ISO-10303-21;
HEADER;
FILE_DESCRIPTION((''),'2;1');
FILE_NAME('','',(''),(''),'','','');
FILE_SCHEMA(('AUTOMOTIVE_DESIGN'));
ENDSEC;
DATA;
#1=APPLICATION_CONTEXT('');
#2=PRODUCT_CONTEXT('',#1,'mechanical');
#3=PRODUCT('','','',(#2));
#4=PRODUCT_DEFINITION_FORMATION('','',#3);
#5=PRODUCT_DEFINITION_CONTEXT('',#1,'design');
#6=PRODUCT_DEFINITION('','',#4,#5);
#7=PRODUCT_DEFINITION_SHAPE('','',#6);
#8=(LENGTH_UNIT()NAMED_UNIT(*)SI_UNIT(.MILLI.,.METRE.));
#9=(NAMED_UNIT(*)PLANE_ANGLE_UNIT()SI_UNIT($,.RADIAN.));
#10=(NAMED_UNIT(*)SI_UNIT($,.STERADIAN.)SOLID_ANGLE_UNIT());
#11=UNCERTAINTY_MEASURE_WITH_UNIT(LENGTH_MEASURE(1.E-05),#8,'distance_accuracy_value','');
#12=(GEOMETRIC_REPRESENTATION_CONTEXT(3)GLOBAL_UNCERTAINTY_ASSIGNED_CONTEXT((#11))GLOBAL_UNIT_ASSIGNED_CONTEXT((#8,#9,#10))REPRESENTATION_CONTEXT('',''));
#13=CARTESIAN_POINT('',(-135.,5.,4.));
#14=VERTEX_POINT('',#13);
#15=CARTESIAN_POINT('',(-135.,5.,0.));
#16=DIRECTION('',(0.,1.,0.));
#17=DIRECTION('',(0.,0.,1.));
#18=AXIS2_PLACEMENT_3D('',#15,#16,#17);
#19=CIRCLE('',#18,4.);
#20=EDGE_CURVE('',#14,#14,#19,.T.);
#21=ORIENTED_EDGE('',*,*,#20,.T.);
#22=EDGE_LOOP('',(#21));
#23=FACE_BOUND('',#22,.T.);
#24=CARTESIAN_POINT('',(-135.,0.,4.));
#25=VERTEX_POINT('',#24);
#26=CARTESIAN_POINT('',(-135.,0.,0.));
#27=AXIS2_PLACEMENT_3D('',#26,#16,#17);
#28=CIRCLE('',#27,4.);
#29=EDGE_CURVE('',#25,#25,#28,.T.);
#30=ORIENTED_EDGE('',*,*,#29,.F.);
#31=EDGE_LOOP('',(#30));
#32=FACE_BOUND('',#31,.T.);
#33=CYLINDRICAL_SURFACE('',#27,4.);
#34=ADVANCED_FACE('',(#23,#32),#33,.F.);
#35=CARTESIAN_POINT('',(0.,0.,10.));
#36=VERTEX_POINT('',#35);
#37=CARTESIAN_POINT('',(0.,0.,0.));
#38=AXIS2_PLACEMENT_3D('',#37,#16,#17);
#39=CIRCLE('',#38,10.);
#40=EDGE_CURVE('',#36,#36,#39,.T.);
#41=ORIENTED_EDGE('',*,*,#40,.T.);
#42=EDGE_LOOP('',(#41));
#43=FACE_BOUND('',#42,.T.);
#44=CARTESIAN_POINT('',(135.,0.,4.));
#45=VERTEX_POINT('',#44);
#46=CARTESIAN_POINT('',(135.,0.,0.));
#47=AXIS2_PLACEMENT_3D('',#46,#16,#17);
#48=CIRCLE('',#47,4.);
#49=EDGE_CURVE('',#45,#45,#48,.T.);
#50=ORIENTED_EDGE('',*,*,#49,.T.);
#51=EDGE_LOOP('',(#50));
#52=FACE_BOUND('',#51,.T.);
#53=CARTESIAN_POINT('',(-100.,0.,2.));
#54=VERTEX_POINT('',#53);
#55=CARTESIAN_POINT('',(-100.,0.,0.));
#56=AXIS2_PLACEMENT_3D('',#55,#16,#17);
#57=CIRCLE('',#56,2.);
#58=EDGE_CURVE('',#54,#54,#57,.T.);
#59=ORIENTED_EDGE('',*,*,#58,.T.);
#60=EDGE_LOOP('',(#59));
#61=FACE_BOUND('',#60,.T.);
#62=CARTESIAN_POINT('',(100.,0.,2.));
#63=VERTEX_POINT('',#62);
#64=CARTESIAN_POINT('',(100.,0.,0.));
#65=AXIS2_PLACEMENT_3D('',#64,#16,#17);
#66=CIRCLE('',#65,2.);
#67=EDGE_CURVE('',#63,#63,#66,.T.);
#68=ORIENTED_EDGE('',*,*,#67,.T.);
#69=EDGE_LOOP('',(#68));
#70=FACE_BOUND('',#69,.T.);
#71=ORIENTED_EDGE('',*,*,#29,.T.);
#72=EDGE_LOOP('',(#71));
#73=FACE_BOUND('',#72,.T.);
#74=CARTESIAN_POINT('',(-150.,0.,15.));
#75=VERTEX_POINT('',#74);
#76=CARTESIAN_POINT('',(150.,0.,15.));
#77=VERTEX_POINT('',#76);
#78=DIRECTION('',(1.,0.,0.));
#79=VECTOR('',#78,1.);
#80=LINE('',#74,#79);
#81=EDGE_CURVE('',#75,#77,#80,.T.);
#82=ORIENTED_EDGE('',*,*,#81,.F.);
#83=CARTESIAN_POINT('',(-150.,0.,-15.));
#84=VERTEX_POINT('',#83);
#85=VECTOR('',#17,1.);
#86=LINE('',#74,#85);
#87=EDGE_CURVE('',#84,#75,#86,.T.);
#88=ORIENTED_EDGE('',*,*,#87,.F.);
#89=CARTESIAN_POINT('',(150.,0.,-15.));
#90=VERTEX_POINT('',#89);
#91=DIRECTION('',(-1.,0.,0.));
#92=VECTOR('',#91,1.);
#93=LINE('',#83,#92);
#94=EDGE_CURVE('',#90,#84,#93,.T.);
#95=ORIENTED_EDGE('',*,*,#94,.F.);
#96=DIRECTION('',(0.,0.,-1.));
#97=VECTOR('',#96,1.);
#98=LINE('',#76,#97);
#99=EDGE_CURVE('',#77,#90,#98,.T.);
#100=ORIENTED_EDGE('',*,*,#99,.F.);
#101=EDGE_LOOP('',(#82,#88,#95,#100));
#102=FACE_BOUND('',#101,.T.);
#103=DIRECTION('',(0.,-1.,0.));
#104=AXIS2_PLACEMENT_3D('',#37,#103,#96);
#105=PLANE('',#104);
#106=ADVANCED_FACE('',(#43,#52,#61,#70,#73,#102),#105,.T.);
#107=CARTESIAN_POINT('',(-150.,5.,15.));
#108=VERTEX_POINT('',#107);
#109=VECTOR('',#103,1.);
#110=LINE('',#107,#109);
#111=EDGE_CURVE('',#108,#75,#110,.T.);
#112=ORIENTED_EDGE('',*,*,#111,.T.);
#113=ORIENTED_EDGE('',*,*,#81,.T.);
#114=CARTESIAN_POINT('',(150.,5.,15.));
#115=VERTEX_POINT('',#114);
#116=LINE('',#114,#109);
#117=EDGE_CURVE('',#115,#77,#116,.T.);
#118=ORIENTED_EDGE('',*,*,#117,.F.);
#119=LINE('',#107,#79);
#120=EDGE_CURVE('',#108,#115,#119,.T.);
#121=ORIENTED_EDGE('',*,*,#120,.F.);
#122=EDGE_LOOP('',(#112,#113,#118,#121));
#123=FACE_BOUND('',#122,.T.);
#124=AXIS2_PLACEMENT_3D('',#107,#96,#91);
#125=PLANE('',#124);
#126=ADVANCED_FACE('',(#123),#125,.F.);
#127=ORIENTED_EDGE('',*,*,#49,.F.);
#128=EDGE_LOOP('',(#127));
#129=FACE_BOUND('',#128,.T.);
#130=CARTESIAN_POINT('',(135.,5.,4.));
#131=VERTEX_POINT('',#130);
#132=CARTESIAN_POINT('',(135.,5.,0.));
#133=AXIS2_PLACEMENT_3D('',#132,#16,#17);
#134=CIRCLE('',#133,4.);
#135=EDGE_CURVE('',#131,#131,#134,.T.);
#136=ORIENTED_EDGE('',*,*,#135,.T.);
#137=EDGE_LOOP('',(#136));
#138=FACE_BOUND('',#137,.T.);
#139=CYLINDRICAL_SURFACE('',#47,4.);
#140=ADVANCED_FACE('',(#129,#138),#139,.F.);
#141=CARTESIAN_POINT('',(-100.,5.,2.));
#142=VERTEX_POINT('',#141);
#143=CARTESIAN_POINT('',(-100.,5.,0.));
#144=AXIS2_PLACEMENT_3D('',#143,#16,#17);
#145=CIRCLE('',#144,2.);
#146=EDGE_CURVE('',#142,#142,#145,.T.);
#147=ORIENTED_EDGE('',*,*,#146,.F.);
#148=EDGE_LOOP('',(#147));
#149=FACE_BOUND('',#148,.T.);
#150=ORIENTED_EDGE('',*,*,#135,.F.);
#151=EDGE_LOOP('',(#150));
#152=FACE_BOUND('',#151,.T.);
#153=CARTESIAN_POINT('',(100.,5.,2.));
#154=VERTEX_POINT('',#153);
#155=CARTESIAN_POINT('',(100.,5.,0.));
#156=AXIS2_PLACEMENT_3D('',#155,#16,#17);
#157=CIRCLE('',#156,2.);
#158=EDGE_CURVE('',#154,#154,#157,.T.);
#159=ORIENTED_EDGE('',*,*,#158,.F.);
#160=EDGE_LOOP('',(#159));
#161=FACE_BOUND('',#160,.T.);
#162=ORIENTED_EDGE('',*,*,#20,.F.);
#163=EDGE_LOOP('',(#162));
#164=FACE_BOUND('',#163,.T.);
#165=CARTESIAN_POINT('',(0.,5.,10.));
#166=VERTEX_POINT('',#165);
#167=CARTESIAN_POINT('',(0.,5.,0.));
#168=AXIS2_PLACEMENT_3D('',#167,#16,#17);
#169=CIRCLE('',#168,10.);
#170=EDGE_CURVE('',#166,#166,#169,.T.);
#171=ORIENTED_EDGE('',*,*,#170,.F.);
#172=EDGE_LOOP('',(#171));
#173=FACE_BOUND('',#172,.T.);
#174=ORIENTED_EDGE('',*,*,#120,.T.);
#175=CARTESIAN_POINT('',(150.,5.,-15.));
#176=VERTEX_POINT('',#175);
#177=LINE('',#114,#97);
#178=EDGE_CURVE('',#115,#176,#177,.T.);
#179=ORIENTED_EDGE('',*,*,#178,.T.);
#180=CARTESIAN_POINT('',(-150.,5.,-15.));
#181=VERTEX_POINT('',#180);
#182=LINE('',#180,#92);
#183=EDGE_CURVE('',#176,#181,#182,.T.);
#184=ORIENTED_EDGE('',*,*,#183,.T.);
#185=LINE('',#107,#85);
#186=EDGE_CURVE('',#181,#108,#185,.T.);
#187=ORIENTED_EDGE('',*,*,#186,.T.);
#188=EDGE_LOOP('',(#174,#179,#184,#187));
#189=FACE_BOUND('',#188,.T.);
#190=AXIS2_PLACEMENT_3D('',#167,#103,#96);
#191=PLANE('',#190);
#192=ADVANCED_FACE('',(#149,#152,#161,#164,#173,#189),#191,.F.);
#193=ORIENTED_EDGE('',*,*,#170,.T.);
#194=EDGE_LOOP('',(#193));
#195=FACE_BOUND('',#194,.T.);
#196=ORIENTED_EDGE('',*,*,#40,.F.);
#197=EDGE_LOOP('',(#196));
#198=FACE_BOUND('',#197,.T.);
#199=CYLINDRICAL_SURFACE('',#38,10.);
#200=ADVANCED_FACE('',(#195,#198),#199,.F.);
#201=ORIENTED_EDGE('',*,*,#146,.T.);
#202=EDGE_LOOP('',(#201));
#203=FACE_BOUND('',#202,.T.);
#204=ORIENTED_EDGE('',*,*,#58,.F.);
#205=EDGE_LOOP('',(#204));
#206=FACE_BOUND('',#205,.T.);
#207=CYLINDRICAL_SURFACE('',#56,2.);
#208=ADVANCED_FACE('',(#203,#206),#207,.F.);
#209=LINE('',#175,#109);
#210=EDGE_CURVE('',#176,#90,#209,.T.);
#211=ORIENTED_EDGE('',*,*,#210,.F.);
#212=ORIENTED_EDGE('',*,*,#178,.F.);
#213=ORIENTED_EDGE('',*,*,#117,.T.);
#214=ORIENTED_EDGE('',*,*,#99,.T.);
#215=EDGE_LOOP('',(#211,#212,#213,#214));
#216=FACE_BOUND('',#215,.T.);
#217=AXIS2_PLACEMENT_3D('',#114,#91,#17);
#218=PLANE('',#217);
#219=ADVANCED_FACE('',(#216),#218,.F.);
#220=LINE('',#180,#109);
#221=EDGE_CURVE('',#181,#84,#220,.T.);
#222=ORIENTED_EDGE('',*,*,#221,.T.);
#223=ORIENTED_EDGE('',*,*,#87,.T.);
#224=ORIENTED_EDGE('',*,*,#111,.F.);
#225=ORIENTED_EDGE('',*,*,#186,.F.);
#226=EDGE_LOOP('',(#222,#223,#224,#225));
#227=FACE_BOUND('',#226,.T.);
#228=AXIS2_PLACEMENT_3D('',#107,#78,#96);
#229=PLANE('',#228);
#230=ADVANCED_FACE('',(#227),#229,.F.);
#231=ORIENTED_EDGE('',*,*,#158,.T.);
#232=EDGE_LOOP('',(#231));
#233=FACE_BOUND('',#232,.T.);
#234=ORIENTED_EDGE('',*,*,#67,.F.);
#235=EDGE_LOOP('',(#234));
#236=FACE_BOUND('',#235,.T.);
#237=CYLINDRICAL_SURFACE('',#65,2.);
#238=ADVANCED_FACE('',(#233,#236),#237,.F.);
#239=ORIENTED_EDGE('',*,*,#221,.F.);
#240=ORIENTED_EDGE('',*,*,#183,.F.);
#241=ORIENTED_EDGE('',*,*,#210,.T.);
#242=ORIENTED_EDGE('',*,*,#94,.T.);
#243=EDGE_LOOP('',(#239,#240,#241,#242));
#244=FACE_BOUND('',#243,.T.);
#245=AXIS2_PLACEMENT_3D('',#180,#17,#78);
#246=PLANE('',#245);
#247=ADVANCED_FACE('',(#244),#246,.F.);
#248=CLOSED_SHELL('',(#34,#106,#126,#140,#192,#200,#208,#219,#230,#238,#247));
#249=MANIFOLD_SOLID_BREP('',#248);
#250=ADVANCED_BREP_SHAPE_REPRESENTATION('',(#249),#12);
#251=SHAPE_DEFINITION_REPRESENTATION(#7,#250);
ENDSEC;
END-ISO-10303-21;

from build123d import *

# Parameters (mm, degrees)
SKETCH2_W           = 300
SKETCH2_H           = 30
BOSS_EXTRUDE1_DEPTH = 5
SKETCH3_R           = 4
SKETCH3_R_2         = 10
CUT_EXTRUDE1_DEPTH  = 5
SKETCH5_R           = 2
CUT_EXTRUDE2_DEPTH  = 5


with BuildPart() as part:
    # Sketch2 → Boss-Extrude1 (new body)
    with BuildSketch(Plane(origin=(0, 0, 0), x_dir=(1, 0, 0), z_dir=(0, 1, 0))):
        Rectangle(SKETCH2_W, SKETCH2_H)
    extrude(amount=BOSS_EXTRUDE1_DEPTH)

    # Sketch3 → Cut-Extrude1 (cut)
    with BuildSketch(Plane(origin=(0, 5, 0), x_dir=(1, 0, 0), z_dir=(0, 1, 0))):
        with Locations((-135, 0)):
            Circle(SKETCH3_R)
        Circle(SKETCH3_R_2)
        with Locations((135, 0)):
            Circle(SKETCH3_R)
    extrude(amount=-CUT_EXTRUDE1_DEPTH, mode=Mode.SUBTRACT)

    # Sketch5 → Cut-Extrude2 (cut)
    with BuildSketch(Plane(origin=(0, 5, 0), x_dir=(1, 0, 0), z_dir=(0, 1, 0))):
        with Locations((100, 0)):
            Circle(SKETCH5_R)
        with Locations((-100, 0)):
            Circle(SKETCH5_R)
    extrude(amount=-CUT_EXTRUDE2_DEPTH, mode=Mode.SUBTRACT)


solid = part.part
